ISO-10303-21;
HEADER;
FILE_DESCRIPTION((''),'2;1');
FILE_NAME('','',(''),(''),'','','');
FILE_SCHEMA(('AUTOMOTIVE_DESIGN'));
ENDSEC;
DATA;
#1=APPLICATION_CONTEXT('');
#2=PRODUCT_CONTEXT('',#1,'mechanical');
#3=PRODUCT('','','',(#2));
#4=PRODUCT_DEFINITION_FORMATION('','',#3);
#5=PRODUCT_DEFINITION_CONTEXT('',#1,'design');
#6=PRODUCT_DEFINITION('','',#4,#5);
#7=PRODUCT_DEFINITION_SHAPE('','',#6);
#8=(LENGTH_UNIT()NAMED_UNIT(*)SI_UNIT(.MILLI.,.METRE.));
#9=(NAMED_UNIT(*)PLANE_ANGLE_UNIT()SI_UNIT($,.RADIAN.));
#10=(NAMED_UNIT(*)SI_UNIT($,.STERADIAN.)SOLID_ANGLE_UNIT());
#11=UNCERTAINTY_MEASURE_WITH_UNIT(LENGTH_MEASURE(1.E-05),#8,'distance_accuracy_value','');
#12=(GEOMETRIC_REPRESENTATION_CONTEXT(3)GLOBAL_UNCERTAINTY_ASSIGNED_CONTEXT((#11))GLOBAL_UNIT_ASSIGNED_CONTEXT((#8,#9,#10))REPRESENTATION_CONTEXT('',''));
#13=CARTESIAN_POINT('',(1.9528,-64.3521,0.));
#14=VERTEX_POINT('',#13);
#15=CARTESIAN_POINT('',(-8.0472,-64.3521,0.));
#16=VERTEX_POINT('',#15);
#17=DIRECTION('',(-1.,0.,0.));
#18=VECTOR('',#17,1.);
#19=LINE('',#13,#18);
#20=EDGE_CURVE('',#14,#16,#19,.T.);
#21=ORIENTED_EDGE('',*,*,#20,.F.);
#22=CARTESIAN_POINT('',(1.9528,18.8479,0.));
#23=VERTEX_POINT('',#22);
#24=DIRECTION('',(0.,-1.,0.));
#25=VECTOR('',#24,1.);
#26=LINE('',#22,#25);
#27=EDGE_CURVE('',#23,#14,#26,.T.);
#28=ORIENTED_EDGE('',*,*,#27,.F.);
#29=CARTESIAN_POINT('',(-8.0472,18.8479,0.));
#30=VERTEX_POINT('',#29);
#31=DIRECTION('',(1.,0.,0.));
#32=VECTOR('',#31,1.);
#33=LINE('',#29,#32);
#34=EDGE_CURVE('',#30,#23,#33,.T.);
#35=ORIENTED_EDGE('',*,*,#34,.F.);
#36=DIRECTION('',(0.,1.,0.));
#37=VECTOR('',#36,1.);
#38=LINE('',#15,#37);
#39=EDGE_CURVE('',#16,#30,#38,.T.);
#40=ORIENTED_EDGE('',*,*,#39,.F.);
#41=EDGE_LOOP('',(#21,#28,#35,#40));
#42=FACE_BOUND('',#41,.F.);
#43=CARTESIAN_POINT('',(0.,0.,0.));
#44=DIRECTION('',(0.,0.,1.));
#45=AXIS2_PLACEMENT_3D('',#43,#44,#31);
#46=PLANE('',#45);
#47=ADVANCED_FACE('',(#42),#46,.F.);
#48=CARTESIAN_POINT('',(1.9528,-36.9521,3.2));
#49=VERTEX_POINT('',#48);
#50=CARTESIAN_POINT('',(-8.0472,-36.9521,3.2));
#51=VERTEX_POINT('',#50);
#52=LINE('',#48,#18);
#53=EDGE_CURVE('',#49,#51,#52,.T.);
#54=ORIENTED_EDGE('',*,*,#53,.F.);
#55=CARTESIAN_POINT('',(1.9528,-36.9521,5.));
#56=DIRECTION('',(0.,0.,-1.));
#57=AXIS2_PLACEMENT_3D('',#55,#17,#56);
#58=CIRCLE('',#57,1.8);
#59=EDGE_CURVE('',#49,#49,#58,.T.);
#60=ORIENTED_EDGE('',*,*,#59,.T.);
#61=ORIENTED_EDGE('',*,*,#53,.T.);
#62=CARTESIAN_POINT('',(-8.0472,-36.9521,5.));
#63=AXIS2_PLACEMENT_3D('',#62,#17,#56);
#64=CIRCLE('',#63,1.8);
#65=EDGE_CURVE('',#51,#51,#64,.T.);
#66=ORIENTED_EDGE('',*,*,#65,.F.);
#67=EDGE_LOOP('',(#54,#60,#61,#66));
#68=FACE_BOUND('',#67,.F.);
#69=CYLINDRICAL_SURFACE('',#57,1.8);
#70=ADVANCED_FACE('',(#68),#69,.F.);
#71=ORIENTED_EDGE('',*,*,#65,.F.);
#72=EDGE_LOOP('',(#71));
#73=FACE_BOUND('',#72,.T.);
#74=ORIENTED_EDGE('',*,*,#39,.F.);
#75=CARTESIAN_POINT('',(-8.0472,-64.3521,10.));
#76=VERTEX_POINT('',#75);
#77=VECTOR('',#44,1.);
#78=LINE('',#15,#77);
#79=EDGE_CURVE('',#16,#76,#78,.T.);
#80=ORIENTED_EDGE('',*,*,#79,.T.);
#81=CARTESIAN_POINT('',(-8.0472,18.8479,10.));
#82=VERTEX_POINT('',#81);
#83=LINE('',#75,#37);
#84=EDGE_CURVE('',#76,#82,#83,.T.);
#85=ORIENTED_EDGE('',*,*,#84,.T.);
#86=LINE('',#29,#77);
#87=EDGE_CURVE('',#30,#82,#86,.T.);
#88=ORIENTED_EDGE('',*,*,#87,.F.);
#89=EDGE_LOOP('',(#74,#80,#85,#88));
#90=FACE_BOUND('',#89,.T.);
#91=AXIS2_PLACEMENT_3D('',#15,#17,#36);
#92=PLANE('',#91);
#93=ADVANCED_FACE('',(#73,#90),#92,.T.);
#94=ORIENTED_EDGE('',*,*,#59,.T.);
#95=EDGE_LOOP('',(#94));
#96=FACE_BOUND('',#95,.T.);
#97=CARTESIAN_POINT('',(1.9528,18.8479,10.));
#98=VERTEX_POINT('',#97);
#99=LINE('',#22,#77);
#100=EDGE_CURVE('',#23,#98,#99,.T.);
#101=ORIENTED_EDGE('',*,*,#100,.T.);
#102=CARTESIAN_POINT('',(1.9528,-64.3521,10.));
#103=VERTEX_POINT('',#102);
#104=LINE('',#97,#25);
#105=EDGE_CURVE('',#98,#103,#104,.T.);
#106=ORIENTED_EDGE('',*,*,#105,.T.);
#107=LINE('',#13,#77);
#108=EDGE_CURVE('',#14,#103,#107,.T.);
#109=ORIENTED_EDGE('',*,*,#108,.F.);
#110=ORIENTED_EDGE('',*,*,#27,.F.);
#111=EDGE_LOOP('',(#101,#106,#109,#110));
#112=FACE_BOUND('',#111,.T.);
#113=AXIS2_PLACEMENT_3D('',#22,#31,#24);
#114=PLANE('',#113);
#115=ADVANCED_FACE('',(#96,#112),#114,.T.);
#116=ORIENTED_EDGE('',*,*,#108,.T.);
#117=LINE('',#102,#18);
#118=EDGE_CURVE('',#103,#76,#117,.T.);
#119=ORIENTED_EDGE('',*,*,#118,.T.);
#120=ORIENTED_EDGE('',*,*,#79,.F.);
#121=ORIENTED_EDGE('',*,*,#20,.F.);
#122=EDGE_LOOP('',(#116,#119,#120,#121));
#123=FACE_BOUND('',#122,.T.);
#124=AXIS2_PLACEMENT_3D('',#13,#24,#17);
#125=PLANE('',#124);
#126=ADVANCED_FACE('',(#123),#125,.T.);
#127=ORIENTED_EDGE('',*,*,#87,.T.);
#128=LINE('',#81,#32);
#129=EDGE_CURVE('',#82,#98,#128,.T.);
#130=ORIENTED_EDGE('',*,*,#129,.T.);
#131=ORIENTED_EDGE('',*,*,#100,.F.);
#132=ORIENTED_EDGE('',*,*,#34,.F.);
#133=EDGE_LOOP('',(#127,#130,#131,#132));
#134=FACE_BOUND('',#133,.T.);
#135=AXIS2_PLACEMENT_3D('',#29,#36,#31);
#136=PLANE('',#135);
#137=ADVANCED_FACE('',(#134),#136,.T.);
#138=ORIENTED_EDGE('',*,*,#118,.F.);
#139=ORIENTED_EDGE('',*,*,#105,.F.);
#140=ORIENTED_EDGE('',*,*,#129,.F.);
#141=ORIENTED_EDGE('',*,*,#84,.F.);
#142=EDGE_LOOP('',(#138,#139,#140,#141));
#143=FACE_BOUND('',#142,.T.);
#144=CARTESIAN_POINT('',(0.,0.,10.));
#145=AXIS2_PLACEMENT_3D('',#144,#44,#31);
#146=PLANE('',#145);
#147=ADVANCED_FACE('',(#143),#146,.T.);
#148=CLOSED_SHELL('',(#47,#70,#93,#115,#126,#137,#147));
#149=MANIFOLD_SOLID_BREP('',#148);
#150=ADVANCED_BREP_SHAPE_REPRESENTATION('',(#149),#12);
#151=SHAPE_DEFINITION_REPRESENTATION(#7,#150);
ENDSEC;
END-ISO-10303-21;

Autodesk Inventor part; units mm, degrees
ref_plane "YZ Plane" through (0, 0, 0) normal (1, 0, 0) x (0, 1, 0)
ref_plane "XZ Plane" through (0, 0, 0) normal (0, 1, 0) x (-1, 0, 0)
ref_plane "XY Plane" through (0, 0, 0) normal (0, 0, 1) x (1, 0, 0)
sketch "Sketch1" plane through (0, 0, 0) normal (0, 0, 1) x (1, 0, 0)
  line L0 (-8.0472, 18.8479) -> (1.9528, 18.8479)
  line L1 (1.9528, 18.8479) -> (1.9528, -64.3521)
  line L2 (1.9528, -64.3521) -> (-8.0472, -64.3521)
  line L3 (-8.0472, -64.3521) -> (-8.0472, 18.8479)
  point P0 (0, 0)
  dimension "d0" = 10
  dimension "d1" = 83.2
extrude "Extrusion1" add sketch "Sketch1" along normal blind 10
sketch "Sketch2" plane through (1.9528, -64.3521, 0) normal (1, 0, 0) x (0, 0, -1)
  line L0 (0, 83.2) -> (-10, 83.2) projected
  line L1 (-5, 83.2) -> (-5, 27.4)
  point P0 (0, 64.3521)
  dimension "d4" = 55.8
hole "Hole1" at (1.9528, -36.9521, 5) direction (-1, 0, 0) diameter 3.6 end through all clearance for "Flat Head Machine Screw" size "M3" standard "Ansi Metric M Profile"
properties part number "lever"
